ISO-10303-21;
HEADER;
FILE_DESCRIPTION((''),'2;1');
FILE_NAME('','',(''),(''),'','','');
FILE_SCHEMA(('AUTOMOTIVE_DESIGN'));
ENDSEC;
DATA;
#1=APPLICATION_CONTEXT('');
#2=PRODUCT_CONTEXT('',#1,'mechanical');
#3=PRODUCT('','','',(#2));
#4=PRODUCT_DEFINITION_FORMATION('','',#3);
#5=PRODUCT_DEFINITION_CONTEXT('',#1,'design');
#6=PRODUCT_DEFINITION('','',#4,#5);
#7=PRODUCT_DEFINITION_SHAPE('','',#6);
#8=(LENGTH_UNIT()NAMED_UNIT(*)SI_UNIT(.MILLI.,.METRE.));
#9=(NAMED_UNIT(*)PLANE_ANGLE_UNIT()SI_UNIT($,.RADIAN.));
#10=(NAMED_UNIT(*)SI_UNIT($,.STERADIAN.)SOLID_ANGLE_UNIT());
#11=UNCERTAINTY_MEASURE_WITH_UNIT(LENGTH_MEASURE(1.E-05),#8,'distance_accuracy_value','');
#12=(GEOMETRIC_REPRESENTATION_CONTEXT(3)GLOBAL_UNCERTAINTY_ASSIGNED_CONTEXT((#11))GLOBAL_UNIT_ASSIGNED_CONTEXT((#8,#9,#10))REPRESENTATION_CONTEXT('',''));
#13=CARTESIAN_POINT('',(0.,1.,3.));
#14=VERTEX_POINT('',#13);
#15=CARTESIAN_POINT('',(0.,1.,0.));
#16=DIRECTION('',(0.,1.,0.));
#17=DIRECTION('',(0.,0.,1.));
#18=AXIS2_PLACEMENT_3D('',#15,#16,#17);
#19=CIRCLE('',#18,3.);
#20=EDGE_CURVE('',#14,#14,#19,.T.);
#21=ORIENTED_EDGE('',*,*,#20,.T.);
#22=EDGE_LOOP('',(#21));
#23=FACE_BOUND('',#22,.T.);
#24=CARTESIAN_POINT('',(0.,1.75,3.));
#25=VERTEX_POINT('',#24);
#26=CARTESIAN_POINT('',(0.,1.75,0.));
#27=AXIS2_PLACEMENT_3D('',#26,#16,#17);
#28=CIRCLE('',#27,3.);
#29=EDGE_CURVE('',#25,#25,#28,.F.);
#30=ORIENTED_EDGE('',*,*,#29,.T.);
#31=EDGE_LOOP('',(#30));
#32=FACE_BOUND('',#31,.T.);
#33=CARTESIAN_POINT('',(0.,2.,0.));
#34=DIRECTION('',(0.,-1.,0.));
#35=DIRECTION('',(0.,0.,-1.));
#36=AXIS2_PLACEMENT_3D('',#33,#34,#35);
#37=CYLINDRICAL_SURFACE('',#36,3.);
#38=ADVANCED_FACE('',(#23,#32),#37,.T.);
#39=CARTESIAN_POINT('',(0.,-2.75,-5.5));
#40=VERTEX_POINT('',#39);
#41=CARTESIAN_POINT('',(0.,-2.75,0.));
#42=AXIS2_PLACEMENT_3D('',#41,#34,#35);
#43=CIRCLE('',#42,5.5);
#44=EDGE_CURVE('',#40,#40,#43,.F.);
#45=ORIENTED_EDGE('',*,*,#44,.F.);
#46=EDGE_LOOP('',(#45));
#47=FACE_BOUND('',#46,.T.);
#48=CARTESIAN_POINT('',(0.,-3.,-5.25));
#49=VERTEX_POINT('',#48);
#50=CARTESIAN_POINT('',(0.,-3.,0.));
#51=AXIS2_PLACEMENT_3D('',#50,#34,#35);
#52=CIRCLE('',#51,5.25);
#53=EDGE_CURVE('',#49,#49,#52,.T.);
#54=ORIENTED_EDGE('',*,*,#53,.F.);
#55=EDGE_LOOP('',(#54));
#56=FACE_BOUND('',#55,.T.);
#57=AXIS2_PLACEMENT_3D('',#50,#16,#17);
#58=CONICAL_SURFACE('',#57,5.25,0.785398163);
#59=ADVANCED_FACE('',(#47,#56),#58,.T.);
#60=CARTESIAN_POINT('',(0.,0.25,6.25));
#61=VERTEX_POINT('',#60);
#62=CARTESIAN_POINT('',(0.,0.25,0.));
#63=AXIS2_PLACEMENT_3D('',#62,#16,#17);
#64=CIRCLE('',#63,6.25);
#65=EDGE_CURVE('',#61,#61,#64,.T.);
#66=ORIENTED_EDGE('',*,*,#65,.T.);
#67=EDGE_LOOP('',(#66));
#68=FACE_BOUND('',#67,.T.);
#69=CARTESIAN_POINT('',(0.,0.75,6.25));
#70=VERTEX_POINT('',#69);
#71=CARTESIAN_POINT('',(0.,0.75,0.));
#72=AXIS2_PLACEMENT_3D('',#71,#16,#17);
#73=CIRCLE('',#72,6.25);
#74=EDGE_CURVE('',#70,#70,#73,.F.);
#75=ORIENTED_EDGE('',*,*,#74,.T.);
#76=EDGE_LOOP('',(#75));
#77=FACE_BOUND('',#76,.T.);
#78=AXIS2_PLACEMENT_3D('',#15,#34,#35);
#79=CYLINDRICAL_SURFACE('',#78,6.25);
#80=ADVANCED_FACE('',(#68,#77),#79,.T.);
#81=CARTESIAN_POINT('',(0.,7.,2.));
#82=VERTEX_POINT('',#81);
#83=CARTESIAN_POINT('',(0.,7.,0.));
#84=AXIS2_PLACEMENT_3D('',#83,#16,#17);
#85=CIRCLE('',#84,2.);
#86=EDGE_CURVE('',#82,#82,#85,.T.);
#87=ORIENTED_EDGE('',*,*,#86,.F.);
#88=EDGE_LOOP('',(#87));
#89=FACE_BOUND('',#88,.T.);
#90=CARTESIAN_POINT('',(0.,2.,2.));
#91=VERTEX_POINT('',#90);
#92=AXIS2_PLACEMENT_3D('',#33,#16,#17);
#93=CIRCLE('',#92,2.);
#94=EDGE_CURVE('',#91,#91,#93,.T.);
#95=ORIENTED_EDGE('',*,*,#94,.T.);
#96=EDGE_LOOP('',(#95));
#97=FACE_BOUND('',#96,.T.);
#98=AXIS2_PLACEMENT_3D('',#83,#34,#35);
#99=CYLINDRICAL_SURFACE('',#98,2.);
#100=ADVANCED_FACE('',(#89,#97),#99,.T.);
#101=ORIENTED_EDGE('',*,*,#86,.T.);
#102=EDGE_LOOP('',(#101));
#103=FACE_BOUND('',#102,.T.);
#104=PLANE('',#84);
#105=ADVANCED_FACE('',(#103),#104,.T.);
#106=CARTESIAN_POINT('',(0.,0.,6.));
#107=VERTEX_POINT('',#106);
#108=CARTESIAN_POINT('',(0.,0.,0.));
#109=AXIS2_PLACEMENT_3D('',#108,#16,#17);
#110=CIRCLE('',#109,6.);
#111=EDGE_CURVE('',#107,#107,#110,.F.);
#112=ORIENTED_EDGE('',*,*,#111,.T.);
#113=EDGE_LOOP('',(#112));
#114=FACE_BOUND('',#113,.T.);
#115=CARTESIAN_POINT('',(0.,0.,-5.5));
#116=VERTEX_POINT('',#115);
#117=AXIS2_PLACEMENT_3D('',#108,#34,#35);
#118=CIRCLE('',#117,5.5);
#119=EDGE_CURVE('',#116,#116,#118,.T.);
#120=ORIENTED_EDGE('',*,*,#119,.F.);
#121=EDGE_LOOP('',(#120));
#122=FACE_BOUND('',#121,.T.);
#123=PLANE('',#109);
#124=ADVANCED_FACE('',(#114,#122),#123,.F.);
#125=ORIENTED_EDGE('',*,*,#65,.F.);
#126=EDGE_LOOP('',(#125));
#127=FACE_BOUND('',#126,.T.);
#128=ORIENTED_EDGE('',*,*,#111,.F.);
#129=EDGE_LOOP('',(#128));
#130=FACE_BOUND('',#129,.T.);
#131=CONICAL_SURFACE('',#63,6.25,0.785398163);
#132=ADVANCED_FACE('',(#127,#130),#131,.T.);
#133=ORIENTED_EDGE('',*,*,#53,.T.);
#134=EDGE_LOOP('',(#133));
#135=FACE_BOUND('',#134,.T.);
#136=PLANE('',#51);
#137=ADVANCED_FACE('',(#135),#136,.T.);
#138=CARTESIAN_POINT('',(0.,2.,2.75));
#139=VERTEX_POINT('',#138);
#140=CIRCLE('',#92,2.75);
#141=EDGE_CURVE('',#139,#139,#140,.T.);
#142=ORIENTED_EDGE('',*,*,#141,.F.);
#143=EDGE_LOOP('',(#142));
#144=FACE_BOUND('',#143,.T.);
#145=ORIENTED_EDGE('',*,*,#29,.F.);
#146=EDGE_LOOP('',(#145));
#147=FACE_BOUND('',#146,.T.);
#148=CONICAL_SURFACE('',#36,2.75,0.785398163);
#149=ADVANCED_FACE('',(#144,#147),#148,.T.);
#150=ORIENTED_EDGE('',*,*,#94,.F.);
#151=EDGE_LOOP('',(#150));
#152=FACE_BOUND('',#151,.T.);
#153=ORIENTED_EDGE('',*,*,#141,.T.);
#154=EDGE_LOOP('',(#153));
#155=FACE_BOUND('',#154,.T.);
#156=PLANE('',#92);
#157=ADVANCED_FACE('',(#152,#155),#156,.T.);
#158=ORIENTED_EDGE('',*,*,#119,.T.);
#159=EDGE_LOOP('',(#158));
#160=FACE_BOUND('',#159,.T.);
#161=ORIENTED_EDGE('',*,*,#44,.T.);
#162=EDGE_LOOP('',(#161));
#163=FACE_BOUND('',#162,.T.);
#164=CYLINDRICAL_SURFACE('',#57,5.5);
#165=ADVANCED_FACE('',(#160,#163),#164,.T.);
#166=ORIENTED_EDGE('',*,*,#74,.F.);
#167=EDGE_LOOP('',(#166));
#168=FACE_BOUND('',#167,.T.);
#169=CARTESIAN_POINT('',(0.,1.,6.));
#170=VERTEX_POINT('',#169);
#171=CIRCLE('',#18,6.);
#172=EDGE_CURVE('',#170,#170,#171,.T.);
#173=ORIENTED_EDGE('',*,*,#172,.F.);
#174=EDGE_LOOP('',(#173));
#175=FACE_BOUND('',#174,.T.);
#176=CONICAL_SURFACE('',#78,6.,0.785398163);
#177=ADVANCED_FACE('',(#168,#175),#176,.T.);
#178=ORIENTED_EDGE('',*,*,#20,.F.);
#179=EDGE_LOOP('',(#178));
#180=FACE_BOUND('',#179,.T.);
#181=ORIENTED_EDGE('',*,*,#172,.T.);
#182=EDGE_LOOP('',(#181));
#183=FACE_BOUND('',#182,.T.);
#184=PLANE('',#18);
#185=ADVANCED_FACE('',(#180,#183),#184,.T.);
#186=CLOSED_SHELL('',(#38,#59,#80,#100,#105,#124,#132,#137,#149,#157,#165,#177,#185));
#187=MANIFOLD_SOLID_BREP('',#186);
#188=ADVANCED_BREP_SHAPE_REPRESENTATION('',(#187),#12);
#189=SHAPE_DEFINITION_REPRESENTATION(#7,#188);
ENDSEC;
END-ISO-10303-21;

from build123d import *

# Parameters (mm, degrees)
SKETCH1_R           = 6.25
BOSS_EXTRUDE1_DEPTH = 1
SKETCH2_R           = 5.5
BOSS_EXTRUDE2_DEPTH = 3
SKETCH3_R           = 3
BOSS_EXTRUDE3_DEPTH = 1
SKETCH4_R           = 2
BOSS_EXTRUDE4_DEPTH = 5
CHAMFER1_SIZE       = 0.25
CHAMFER2_SIZE       = 0.25


with BuildPart() as part:
    # Sketch1 → Boss-Extrude1 (new body)
    with BuildSketch(Plane(origin=(0, 0, 0), x_dir=(1, 0, 0), z_dir=(0, 1, 0))):
        with Locations(Location((0, 0, 0), (0, 0, 270))):
            Circle(SKETCH1_R)
    extrude(amount=BOSS_EXTRUDE1_DEPTH)

    # Sketch2 → Boss-Extrude2 (add)
    with BuildSketch(Plane.XZ):
        with Locations(Location((0, 0, 0), (0, 0, 270))):
            Circle(SKETCH2_R)
    extrude(amount=BOSS_EXTRUDE2_DEPTH)

    # Sketch3 → Boss-Extrude3 (add)
    with BuildSketch(Plane(origin=(0, 1, 0), x_dir=(1, 0, 0), z_dir=(0, 1, 0))):
        with Locations(Location((0, 0, 0), (0, 0, 270))):
            Circle(SKETCH3_R)
    extrude(amount=BOSS_EXTRUDE3_DEPTH)

    # Sketch4 → Boss-Extrude4 (add)
    with BuildSketch(Plane(origin=(0, 2, 0), x_dir=(1, 0, 0), z_dir=(0, 1, 0))):
        with Locations(Location((0, 0, 0), (0, 0, 270))):
            Circle(SKETCH4_R)
    extrude(amount=BOSS_EXTRUDE4_DEPTH)

    # Chamfer1
    chamfer1_edges = [part.edges().sort_by_distance(p)[0] for p in [
        (0, 0, -6.25),
        (0, 1, -6.25),
        (0, -3, 5.5),
    ]]
    chamfer(chamfer1_edges, length=CHAMFER1_SIZE)

    # Chamfer2
    chamfer2_edges = [part.edges().sort_by_distance(p)[0] for p in [
        (0, 2, -3),
    ]]
    chamfer(chamfer2_edges, length=CHAMFER2_SIZE)


solid = part.part
